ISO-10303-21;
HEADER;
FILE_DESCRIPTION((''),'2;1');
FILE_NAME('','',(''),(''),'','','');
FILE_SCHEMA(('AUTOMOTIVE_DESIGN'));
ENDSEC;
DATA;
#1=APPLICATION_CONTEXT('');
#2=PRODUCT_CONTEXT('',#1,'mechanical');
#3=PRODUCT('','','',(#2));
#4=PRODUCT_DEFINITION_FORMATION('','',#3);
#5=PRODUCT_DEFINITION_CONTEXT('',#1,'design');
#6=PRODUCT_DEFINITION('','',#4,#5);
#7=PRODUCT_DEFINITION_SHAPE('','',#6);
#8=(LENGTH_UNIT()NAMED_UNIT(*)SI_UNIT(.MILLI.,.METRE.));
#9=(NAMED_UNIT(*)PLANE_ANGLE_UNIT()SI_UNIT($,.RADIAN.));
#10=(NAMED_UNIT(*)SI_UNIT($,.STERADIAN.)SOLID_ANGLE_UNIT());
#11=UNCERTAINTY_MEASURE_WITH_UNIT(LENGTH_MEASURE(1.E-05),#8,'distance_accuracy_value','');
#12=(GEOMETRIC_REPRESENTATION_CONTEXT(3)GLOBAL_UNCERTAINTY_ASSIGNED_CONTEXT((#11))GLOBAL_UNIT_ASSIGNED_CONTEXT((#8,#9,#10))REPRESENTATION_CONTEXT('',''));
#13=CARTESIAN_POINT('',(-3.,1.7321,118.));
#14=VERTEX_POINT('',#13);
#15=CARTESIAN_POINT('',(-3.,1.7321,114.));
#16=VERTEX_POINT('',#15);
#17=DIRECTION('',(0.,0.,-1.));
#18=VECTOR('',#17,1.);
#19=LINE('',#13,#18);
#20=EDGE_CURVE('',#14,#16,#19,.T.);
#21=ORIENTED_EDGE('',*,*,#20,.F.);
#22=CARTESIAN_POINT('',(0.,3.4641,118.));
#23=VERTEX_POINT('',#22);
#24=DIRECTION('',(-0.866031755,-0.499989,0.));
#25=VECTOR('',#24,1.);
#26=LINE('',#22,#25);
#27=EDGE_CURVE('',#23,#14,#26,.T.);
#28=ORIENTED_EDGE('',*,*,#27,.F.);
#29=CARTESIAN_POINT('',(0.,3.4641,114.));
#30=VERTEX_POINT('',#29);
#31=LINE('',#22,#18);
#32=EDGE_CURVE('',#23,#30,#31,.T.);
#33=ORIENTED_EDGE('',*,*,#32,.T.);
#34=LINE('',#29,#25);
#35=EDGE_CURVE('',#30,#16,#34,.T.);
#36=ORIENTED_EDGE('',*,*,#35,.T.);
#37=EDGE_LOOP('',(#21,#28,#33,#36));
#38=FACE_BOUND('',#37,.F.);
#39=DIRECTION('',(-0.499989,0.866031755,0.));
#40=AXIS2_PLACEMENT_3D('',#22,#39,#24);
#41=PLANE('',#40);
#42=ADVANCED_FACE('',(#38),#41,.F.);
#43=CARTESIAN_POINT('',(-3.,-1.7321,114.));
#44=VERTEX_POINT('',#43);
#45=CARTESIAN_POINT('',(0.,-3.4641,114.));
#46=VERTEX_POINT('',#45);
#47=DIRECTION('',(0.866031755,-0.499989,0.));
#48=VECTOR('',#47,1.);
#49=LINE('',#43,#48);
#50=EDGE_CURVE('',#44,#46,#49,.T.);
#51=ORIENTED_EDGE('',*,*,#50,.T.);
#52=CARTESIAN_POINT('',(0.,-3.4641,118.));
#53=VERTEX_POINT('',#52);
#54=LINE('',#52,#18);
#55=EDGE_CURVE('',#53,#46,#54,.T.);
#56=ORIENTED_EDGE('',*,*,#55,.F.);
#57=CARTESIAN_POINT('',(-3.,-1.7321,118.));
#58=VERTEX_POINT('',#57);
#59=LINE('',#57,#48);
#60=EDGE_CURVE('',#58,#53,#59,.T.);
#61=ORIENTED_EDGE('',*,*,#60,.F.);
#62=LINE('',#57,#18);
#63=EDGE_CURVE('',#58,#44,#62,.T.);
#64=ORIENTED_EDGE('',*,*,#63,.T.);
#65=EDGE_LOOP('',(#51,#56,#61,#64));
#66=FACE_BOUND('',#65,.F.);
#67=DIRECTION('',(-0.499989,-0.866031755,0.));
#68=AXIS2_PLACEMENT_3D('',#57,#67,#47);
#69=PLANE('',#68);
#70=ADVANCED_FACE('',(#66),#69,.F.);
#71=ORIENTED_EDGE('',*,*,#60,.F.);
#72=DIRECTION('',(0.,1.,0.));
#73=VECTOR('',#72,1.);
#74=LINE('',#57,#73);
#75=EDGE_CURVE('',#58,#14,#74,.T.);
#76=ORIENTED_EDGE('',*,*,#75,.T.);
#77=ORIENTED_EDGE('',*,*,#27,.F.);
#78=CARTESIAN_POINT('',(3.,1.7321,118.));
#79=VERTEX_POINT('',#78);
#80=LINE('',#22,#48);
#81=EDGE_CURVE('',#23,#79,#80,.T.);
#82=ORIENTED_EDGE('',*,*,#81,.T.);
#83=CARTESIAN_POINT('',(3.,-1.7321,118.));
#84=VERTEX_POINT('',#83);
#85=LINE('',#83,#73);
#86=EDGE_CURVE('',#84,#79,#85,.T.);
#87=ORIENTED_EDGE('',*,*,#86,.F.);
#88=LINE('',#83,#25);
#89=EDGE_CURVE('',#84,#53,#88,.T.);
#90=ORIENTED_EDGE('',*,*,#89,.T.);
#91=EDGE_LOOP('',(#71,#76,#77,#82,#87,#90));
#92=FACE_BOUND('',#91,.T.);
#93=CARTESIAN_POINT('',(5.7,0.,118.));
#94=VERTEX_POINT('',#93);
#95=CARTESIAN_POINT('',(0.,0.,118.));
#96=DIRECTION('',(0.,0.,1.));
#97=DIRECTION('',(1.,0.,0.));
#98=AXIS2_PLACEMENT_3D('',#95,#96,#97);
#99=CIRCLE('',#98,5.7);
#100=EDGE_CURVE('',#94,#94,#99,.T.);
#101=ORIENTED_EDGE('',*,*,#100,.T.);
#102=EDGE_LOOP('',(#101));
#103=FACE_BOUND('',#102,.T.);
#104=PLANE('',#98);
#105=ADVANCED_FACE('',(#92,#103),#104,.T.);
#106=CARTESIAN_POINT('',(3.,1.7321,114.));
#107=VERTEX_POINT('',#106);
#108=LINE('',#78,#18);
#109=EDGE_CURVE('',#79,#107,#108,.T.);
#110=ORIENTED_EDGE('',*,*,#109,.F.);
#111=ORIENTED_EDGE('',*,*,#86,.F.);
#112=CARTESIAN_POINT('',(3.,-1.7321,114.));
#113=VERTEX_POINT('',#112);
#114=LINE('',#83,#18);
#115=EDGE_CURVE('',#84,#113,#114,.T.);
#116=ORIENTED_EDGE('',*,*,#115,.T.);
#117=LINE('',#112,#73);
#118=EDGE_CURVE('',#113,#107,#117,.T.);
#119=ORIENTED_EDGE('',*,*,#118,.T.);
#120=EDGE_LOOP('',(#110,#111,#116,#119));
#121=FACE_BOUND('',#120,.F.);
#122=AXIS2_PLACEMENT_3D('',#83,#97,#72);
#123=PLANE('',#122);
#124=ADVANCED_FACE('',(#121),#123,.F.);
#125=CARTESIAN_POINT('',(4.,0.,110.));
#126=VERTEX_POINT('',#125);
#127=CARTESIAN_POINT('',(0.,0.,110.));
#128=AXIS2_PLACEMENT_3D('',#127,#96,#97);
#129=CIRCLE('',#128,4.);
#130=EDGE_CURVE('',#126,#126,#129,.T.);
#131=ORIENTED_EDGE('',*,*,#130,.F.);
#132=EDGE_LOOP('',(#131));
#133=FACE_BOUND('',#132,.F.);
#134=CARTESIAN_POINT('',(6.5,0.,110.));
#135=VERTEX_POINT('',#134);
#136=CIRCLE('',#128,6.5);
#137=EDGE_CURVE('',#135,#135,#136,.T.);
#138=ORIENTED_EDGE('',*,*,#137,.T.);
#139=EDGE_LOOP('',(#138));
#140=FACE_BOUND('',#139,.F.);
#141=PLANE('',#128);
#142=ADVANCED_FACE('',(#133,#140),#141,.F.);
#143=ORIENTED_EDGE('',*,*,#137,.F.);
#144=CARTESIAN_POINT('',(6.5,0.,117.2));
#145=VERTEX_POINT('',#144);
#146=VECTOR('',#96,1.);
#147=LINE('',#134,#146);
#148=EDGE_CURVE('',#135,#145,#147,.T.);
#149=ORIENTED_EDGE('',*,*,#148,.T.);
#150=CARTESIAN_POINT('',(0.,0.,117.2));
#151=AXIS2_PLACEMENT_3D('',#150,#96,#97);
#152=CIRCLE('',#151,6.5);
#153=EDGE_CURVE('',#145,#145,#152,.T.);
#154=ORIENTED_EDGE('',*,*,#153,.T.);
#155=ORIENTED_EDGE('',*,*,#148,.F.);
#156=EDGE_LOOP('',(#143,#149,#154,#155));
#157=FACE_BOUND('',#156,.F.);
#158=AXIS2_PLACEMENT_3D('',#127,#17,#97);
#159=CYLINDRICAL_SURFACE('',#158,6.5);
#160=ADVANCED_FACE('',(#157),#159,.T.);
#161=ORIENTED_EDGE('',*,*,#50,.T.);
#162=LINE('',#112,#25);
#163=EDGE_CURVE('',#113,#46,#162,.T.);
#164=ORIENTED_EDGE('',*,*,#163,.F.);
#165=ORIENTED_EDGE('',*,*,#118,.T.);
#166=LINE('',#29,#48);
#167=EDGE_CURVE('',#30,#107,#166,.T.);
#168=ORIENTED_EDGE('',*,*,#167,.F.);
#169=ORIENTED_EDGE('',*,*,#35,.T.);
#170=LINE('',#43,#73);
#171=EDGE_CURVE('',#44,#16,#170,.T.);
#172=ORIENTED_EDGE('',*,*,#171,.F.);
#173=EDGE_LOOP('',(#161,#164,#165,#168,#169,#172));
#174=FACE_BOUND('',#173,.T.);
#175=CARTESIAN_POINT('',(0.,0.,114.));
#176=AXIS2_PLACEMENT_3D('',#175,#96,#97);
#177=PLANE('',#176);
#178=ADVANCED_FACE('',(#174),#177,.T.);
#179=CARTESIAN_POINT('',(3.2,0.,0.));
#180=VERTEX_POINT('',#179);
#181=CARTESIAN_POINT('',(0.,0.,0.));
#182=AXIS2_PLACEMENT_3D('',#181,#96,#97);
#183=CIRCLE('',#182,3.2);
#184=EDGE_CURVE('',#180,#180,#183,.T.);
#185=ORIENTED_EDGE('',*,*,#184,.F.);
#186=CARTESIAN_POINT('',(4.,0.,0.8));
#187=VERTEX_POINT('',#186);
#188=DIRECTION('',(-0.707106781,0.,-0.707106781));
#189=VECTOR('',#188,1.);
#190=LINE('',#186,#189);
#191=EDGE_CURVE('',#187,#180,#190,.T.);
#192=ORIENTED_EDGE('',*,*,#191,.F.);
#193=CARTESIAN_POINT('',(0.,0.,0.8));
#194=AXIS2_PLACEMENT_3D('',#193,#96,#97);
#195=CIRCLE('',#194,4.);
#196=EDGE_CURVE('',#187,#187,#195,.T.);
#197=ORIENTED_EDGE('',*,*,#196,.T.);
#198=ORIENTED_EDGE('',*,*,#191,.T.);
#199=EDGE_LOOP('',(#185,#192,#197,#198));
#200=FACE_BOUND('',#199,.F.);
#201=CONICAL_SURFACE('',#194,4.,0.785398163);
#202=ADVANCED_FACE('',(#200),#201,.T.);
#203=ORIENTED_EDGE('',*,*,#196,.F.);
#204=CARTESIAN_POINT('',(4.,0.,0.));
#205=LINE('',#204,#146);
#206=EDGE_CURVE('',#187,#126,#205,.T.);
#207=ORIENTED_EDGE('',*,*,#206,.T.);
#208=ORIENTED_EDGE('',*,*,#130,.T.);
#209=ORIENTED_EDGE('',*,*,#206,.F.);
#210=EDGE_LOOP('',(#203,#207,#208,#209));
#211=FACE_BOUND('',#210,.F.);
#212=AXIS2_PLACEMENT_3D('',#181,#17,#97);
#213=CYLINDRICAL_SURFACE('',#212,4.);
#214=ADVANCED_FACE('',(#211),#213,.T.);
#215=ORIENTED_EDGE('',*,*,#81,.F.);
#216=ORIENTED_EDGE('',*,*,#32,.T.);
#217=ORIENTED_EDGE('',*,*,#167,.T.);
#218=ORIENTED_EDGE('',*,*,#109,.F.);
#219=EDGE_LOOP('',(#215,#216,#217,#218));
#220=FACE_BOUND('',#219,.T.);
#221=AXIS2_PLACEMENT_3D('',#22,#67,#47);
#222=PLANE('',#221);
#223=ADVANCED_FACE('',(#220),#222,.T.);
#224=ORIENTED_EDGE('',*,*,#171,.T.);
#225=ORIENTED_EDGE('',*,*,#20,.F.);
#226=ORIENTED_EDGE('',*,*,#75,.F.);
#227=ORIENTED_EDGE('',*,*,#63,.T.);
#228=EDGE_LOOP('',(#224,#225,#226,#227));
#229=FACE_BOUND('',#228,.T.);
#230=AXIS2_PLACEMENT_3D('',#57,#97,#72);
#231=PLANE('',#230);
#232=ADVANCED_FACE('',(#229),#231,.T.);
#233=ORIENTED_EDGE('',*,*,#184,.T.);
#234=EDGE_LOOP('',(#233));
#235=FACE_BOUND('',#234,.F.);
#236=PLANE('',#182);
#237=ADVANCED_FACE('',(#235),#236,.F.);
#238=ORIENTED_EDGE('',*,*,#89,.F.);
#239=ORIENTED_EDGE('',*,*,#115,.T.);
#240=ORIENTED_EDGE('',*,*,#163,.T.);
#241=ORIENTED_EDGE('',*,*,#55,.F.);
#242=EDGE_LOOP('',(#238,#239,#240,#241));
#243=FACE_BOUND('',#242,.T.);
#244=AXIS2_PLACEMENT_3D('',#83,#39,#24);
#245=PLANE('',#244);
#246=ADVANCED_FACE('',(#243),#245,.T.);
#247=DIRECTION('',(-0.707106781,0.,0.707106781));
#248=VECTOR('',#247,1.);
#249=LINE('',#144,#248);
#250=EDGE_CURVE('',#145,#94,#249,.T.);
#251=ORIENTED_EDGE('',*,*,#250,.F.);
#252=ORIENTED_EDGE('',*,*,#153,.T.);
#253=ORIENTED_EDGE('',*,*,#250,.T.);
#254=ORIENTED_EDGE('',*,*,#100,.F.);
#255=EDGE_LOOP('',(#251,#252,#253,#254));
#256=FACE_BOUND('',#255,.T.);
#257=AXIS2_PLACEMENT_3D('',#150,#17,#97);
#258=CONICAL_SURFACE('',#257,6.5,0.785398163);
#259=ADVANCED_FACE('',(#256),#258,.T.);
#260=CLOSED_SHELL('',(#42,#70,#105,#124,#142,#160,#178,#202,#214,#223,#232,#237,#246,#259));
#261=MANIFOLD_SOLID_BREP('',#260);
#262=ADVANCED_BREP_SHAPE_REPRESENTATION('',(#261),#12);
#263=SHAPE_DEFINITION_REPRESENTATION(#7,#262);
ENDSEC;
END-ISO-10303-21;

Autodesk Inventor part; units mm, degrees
ref_plane "YZ Plane" through (0, 0, 0) normal (1, 0, 0) x (0, 1, 0)
ref_plane "XZ Plane" through (0, 0, 0) normal (0, 1, 0) x (-1, 0, 0)
ref_plane "XY Plane" through (0, 0, 0) normal (0, 0, 1) x (1, 0, 0)
sketch "Sketch1" plane through (0, 0, 0) normal (0, 0, 1) x (1, 0, 0)
  circle A0 centre (0, 0) radius 4
  dimension "Diameter" = 8
extrude "Extrusion1" add sketch "Sketch1" along normal blind 110
sketch "Sketch2" plane through (0, 0, 110) normal (0, 0, 1) x (1, 0, 0)
  circle A0 centre (0, 0) radius 4 projected
  circle A1 centre (0, 0) radius 6.5
  dimension "Head_Diameter" = 13
extrude "Extrusion2" add sketch "Sketch2" along normal blind 8 contours A0 | A1
sketch "Sketch3" plane through (0, 0, 118) normal (0, 0, 1) x (1, 0, 0)
  circle A0 centre (0, 0) radius 6.5 projected
  circle A1 centre (0, 0) radius 3.4641 construction
  line L0 (0, 3.4641) -> (3, 1.7321)
  line L1 (3, -1.7321) -> (3, 1.7321)
  line L2 (0, 3.4641) -> (-3, 1.7321)
  line L3 (-3, -1.7321) -> (-3, 1.7321)
  line L4 (-3, -1.7321) -> (0, -3.4641)
  line L5 (3, -1.7321) -> (0, -3.4641)
  dimension "Hex_Width" = 6
extrude "Extrusion3" cut sketch "Sketch3" against normal blind 4 contours L0 L1 L5 L4 L3 L2
thread "Thread1" size "M8x1.25" class "4g6g" standard "ANSI Metric M Profile" length 28
chamfer "Chamfer1" distance 0.8 angle 45 2 edges at (-6.5, 0, 118) (-4, 0, 0)
equation "\"d9\" = ThreadLength"
equation "\"d12\" = Chamfer"
equation "\"ThreadLength\" = 28"
equation "\"Chamfer\" = 0.8"
properties part number "SCREW, SOCKET HD, P, 12.9, M8X1.25X110MM"
